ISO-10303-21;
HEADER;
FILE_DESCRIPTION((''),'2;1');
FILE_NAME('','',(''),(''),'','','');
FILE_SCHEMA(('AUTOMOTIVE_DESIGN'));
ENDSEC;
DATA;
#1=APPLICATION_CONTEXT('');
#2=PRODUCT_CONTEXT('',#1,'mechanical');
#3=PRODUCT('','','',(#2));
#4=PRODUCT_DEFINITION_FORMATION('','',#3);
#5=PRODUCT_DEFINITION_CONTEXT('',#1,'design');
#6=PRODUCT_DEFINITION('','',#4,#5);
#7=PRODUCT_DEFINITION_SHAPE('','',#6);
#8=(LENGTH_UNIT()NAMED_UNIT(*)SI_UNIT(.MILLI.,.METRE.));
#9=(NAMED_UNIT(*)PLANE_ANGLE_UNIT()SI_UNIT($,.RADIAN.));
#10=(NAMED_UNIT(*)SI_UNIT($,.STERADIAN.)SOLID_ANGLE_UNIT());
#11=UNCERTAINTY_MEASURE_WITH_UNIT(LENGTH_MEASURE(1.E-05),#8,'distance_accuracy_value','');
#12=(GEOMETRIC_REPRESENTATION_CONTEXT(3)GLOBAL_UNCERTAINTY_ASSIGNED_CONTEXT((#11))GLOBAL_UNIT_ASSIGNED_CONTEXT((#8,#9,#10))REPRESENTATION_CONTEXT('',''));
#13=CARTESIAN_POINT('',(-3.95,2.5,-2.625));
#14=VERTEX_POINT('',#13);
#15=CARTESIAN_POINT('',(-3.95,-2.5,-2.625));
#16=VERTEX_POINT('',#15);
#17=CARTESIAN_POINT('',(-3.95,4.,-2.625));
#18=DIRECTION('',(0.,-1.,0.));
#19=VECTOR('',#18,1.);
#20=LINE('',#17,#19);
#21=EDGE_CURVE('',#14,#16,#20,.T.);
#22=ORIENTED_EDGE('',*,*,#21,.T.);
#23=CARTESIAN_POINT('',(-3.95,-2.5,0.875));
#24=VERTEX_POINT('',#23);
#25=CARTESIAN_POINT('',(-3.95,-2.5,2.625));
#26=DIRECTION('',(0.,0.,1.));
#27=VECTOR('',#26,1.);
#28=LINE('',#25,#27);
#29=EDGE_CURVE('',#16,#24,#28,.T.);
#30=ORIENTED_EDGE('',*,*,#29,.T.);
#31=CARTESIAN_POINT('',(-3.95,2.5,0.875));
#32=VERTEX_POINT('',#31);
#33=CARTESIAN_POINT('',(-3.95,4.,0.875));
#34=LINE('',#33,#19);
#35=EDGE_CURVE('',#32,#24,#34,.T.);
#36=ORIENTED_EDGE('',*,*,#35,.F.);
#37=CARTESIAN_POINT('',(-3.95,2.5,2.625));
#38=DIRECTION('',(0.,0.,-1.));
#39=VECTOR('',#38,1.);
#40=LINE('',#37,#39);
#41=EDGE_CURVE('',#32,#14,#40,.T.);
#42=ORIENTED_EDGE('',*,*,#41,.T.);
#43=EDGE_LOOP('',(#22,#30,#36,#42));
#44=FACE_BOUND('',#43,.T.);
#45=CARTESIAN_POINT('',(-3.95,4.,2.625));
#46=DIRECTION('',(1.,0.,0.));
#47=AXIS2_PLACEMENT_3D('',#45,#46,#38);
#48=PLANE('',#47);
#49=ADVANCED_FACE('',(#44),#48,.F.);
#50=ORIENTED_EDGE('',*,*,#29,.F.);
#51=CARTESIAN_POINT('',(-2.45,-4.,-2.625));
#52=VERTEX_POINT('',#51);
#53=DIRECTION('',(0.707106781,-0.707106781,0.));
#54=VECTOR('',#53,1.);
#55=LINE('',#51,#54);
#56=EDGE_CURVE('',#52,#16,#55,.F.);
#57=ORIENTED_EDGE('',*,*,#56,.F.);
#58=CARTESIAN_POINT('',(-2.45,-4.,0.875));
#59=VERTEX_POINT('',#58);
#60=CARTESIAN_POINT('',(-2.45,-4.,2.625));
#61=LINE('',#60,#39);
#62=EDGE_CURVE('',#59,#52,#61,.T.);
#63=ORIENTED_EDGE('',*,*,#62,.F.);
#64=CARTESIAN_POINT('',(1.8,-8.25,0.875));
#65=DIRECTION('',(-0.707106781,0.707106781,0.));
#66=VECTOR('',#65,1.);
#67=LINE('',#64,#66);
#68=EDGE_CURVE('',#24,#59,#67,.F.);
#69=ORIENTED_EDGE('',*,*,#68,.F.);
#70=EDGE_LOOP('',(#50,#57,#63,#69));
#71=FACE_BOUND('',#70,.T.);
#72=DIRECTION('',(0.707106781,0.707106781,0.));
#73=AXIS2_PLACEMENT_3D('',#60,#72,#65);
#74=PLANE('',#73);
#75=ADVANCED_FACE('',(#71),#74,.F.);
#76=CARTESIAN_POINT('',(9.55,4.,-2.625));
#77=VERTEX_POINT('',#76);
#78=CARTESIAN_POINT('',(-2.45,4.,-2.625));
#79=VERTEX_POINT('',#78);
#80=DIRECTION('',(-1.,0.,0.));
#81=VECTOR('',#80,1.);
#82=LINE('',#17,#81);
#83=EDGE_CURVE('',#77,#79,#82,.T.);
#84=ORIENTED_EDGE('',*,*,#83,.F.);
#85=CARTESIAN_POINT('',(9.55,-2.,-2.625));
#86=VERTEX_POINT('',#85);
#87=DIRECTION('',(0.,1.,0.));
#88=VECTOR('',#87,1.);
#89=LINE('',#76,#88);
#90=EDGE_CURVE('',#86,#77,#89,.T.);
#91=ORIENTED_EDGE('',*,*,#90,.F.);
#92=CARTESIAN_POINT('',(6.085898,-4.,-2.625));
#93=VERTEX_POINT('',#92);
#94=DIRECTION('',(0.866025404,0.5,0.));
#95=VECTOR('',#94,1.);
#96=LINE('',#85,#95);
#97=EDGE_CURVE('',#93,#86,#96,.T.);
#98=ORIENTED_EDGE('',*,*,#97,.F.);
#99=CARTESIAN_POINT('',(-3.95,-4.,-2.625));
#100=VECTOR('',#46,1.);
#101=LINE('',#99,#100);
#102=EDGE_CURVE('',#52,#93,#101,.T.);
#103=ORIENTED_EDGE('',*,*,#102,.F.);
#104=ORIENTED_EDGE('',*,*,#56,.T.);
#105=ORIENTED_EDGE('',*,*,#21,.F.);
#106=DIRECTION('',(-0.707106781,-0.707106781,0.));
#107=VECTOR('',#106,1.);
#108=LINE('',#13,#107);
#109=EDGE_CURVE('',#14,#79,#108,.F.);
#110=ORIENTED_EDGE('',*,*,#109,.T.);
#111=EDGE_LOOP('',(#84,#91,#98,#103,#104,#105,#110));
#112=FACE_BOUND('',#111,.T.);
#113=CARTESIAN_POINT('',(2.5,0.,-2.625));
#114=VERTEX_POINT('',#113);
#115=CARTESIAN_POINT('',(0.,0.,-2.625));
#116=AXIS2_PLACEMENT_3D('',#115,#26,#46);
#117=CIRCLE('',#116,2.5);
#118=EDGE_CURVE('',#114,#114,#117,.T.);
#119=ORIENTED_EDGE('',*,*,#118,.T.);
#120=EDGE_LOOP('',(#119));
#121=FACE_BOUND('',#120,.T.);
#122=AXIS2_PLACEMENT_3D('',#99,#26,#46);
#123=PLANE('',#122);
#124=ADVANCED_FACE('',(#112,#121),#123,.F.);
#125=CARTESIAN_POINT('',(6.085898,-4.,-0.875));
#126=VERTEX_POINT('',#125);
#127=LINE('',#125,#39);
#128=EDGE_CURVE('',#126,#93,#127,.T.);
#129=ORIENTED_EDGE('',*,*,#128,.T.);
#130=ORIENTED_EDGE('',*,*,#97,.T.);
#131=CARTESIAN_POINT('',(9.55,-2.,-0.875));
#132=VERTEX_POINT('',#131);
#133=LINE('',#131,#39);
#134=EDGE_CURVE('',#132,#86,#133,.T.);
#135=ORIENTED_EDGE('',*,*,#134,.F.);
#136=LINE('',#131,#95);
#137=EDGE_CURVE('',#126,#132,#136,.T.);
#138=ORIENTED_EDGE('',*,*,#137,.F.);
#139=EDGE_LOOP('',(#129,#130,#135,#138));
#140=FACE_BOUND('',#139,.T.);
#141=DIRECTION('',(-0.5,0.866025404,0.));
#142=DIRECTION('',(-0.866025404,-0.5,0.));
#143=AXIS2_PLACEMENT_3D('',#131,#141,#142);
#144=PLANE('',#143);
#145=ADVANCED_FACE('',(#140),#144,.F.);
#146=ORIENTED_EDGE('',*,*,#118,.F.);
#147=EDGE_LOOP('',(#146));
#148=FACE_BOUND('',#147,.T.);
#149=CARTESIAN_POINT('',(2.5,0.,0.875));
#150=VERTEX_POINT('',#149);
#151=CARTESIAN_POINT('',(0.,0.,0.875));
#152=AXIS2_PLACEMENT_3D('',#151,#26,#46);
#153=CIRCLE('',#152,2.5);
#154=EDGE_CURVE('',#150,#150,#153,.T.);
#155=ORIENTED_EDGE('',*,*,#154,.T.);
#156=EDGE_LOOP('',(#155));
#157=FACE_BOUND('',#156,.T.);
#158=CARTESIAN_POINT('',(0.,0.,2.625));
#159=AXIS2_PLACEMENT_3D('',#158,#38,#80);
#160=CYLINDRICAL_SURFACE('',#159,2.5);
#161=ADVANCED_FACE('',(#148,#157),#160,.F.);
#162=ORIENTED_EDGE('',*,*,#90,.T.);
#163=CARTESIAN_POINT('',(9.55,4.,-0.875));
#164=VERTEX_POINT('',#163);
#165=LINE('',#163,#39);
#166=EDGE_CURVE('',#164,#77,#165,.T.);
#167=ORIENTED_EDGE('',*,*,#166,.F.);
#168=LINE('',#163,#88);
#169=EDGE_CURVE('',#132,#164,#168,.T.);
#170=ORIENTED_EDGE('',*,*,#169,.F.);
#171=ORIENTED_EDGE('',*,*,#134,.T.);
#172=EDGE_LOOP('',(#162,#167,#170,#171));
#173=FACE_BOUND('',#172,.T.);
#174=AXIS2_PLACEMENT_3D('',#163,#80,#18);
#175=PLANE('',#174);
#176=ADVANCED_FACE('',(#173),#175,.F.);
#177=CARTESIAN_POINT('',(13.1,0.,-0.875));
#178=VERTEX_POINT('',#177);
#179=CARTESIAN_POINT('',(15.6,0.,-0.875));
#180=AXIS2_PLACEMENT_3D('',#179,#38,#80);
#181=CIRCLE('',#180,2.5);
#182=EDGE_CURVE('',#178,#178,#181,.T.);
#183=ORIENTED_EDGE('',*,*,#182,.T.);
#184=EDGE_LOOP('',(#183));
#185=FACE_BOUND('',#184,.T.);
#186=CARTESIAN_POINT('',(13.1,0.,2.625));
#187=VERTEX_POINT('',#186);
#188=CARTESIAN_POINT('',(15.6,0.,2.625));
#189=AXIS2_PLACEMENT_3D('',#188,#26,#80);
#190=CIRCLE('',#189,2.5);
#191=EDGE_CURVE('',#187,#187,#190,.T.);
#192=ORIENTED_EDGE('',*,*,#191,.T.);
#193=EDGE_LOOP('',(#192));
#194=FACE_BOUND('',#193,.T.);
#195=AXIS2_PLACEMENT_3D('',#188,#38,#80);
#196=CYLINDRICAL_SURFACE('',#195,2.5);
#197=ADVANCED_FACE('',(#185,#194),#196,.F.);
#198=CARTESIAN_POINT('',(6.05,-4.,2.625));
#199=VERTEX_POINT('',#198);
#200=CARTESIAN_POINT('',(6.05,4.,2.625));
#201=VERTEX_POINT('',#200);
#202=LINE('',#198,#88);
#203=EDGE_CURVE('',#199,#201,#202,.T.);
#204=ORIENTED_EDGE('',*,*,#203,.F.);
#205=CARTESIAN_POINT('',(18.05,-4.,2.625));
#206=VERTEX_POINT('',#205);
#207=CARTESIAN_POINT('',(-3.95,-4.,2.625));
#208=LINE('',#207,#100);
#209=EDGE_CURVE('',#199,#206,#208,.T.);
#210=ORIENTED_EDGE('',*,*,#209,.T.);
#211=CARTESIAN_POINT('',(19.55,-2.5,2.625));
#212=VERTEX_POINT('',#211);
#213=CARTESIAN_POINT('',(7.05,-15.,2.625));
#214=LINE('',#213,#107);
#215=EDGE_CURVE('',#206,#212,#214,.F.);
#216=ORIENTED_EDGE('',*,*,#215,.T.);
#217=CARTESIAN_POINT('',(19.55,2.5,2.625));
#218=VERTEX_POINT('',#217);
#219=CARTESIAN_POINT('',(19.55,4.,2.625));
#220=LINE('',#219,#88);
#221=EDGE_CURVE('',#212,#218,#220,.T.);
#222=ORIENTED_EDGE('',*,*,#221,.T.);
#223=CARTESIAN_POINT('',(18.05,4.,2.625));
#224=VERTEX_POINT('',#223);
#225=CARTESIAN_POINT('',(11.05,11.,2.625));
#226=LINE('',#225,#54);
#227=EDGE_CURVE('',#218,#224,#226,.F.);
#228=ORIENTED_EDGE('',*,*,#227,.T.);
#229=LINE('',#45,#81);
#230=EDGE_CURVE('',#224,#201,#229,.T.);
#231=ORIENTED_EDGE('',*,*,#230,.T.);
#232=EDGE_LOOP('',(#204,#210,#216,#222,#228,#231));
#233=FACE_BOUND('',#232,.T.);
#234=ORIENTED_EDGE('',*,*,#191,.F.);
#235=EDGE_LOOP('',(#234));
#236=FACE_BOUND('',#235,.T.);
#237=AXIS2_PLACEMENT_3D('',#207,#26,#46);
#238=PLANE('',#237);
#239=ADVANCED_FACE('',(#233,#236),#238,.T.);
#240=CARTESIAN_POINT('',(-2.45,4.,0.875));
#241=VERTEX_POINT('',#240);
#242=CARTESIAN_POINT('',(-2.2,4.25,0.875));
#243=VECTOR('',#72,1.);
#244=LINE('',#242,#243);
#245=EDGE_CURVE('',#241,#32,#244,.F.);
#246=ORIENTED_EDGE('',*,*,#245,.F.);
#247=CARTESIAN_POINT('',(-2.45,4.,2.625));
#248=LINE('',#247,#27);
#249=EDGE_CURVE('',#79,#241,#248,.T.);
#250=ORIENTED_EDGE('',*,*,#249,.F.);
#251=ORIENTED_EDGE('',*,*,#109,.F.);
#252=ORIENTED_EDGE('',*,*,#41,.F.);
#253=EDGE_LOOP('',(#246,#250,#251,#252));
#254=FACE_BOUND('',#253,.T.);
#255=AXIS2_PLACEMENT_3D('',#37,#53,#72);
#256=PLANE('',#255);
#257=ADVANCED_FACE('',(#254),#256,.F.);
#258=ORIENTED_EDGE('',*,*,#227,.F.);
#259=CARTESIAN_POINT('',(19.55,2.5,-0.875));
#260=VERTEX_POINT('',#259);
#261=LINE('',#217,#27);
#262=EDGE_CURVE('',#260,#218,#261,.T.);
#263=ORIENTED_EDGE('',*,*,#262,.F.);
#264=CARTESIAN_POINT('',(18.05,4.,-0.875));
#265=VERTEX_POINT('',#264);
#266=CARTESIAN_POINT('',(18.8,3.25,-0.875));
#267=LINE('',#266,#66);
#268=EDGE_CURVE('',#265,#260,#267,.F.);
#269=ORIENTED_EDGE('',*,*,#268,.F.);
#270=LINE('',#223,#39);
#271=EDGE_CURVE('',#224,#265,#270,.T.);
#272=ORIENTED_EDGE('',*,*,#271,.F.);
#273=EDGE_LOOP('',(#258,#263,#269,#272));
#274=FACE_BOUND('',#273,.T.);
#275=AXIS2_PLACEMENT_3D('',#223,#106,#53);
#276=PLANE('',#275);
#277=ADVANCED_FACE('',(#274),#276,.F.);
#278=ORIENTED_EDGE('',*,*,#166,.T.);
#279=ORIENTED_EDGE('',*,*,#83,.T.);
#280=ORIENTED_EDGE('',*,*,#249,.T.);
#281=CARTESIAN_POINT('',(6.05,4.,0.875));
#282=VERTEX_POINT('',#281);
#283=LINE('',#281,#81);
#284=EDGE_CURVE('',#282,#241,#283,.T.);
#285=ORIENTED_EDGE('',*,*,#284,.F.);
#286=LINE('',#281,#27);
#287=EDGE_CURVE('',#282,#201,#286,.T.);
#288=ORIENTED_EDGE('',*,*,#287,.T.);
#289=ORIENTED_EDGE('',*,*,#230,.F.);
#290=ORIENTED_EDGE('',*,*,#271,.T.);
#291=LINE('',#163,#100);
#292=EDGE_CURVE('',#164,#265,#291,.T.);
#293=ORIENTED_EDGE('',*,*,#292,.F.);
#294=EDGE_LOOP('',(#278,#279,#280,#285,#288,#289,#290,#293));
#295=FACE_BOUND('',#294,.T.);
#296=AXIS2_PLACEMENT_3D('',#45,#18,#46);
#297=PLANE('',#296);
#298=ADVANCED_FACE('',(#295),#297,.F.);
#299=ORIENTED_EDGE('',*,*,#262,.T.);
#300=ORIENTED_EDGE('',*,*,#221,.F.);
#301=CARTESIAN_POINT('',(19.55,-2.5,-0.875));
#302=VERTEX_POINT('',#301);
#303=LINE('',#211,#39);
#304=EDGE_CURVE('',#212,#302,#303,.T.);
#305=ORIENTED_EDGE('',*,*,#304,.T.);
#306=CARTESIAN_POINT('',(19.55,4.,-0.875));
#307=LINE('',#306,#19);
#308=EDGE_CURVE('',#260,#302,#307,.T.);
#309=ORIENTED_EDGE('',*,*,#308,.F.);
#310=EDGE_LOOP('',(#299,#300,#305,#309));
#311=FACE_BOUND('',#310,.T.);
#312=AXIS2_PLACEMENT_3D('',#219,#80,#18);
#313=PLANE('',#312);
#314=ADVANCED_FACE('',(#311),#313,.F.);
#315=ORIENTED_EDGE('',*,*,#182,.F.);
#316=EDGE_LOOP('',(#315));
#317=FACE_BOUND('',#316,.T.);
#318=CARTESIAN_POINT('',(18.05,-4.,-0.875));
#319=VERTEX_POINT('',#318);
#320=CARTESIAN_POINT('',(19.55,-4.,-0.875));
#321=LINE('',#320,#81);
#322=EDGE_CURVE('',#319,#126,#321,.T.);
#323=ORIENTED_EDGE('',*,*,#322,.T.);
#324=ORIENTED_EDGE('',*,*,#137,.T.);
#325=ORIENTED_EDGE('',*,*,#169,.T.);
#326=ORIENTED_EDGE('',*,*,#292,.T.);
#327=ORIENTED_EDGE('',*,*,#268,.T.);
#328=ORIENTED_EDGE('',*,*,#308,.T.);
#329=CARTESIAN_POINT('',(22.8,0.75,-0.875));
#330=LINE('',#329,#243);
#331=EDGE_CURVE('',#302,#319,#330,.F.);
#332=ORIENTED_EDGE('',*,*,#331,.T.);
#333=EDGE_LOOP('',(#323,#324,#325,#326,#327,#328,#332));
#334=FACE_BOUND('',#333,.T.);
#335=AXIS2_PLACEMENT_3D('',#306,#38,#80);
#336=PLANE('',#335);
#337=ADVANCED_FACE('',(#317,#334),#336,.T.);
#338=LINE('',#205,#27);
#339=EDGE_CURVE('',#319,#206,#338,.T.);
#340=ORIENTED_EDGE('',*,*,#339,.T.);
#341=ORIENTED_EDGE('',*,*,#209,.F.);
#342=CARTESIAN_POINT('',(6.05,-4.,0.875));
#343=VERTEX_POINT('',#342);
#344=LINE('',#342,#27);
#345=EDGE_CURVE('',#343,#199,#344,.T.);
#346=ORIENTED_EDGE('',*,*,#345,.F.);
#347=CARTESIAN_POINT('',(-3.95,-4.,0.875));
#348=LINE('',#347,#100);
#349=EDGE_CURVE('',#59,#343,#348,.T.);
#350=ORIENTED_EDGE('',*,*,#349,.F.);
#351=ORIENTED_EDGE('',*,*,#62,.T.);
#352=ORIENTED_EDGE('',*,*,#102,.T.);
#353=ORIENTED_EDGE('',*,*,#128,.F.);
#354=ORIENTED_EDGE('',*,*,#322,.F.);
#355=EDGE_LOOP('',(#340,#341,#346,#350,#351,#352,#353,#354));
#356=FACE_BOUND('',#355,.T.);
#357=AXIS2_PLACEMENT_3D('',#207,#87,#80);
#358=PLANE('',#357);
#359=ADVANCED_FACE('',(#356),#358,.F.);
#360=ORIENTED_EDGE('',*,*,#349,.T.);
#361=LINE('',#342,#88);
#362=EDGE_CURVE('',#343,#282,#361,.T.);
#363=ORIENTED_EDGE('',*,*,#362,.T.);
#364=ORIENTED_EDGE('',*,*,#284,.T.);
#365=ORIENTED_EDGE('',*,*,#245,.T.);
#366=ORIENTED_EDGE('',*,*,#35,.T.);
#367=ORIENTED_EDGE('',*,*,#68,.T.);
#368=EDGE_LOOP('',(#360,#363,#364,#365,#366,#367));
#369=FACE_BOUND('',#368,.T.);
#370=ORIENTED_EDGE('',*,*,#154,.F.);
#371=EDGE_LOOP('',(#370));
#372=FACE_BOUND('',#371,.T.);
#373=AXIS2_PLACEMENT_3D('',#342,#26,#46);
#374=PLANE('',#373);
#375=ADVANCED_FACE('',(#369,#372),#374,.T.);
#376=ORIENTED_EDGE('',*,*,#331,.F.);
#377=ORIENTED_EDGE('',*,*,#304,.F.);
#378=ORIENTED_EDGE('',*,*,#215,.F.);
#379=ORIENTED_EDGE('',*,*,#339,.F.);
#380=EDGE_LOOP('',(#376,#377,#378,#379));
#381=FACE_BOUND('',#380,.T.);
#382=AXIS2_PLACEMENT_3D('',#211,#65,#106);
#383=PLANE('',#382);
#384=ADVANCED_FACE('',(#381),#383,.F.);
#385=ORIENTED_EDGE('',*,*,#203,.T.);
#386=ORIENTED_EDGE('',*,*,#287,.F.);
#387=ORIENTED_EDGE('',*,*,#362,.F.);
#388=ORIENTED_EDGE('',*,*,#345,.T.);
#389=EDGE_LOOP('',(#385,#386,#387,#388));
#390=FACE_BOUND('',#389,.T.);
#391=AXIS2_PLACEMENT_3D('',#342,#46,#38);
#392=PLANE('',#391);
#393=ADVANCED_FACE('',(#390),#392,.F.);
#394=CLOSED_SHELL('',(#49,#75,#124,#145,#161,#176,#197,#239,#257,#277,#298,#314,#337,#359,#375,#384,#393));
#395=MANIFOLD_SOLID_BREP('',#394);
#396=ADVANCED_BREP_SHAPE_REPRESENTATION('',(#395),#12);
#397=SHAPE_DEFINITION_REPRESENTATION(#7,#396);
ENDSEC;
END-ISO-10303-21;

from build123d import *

# Parameters (mm, degrees)
ESQUISSE1_W             = 23.5
ESQUISSE1_H             = 8
ESQUISSE1_R             = 2.5
BASE_EXTRUSION_DEPTH    = 2.625
ESQUISSE2_W             = 10
ESQUISSE2_H             = 8
ENL_V_MAT_EXTRU_1_DEPTH = 1.75
ENL_V_MAT_EXTRU_2_DEPTH = 1.75
CHANFREIN1_SIZE         = 1.5


with BuildPart() as part:
    # Esquisse1 → Base-Extrusion (new body, symmetric)
    with BuildSketch(Plane.XY):
        with Locations((7.8, 0)):
            Rectangle(ESQUISSE1_W, ESQUISSE1_H)
        Circle(ESQUISSE1_R, mode=Mode.SUBTRACT)
        with Locations(Location((15.6, 0, 0), (0, 0, 180))):  # turned: the seam where the file's is
            Circle(ESQUISSE1_R, mode=Mode.SUBTRACT)
    extrude(amount=BASE_EXTRUSION_DEPTH, both=True)

    # Esquisse2 → Enlèv. mat.-Extru.1 (cut)
    with BuildSketch(Plane.XY.offset(2.625)):
        with Locations((1.05, 0)):
            Rectangle(ESQUISSE2_W, ESQUISSE2_H)
    extrude(amount=-ENL_V_MAT_EXTRU_1_DEPTH, mode=Mode.SUBTRACT)

    # Esquisse3 → Enlèv. mat.-Extru.2 (cut)
    with BuildSketch(Plane(origin=(0, 0, -2.625), x_dir=(-1, 0, 0), z_dir=(0, 0, -1))):
        Polygon((-9.55, -2), (-9.55, 4), (-19.55, 4), (-19.55, -4), (-6.085898385, -4), align=None)
    extrude(amount=-ENL_V_MAT_EXTRU_2_DEPTH, mode=Mode.SUBTRACT)

    # Chanfrein1
    chanfrein1_edges = [part.edges().sort_by_distance(p)[0] for p in [
        (-3.95, 4, -0.875),
        (19.55, 4, 0.875),
        (-3.95, -4, -0.875),
        (19.55, -4, 0.875),
    ]]
    chamfer(chanfrein1_edges, length=CHANFREIN1_SIZE)


solid = part.part
